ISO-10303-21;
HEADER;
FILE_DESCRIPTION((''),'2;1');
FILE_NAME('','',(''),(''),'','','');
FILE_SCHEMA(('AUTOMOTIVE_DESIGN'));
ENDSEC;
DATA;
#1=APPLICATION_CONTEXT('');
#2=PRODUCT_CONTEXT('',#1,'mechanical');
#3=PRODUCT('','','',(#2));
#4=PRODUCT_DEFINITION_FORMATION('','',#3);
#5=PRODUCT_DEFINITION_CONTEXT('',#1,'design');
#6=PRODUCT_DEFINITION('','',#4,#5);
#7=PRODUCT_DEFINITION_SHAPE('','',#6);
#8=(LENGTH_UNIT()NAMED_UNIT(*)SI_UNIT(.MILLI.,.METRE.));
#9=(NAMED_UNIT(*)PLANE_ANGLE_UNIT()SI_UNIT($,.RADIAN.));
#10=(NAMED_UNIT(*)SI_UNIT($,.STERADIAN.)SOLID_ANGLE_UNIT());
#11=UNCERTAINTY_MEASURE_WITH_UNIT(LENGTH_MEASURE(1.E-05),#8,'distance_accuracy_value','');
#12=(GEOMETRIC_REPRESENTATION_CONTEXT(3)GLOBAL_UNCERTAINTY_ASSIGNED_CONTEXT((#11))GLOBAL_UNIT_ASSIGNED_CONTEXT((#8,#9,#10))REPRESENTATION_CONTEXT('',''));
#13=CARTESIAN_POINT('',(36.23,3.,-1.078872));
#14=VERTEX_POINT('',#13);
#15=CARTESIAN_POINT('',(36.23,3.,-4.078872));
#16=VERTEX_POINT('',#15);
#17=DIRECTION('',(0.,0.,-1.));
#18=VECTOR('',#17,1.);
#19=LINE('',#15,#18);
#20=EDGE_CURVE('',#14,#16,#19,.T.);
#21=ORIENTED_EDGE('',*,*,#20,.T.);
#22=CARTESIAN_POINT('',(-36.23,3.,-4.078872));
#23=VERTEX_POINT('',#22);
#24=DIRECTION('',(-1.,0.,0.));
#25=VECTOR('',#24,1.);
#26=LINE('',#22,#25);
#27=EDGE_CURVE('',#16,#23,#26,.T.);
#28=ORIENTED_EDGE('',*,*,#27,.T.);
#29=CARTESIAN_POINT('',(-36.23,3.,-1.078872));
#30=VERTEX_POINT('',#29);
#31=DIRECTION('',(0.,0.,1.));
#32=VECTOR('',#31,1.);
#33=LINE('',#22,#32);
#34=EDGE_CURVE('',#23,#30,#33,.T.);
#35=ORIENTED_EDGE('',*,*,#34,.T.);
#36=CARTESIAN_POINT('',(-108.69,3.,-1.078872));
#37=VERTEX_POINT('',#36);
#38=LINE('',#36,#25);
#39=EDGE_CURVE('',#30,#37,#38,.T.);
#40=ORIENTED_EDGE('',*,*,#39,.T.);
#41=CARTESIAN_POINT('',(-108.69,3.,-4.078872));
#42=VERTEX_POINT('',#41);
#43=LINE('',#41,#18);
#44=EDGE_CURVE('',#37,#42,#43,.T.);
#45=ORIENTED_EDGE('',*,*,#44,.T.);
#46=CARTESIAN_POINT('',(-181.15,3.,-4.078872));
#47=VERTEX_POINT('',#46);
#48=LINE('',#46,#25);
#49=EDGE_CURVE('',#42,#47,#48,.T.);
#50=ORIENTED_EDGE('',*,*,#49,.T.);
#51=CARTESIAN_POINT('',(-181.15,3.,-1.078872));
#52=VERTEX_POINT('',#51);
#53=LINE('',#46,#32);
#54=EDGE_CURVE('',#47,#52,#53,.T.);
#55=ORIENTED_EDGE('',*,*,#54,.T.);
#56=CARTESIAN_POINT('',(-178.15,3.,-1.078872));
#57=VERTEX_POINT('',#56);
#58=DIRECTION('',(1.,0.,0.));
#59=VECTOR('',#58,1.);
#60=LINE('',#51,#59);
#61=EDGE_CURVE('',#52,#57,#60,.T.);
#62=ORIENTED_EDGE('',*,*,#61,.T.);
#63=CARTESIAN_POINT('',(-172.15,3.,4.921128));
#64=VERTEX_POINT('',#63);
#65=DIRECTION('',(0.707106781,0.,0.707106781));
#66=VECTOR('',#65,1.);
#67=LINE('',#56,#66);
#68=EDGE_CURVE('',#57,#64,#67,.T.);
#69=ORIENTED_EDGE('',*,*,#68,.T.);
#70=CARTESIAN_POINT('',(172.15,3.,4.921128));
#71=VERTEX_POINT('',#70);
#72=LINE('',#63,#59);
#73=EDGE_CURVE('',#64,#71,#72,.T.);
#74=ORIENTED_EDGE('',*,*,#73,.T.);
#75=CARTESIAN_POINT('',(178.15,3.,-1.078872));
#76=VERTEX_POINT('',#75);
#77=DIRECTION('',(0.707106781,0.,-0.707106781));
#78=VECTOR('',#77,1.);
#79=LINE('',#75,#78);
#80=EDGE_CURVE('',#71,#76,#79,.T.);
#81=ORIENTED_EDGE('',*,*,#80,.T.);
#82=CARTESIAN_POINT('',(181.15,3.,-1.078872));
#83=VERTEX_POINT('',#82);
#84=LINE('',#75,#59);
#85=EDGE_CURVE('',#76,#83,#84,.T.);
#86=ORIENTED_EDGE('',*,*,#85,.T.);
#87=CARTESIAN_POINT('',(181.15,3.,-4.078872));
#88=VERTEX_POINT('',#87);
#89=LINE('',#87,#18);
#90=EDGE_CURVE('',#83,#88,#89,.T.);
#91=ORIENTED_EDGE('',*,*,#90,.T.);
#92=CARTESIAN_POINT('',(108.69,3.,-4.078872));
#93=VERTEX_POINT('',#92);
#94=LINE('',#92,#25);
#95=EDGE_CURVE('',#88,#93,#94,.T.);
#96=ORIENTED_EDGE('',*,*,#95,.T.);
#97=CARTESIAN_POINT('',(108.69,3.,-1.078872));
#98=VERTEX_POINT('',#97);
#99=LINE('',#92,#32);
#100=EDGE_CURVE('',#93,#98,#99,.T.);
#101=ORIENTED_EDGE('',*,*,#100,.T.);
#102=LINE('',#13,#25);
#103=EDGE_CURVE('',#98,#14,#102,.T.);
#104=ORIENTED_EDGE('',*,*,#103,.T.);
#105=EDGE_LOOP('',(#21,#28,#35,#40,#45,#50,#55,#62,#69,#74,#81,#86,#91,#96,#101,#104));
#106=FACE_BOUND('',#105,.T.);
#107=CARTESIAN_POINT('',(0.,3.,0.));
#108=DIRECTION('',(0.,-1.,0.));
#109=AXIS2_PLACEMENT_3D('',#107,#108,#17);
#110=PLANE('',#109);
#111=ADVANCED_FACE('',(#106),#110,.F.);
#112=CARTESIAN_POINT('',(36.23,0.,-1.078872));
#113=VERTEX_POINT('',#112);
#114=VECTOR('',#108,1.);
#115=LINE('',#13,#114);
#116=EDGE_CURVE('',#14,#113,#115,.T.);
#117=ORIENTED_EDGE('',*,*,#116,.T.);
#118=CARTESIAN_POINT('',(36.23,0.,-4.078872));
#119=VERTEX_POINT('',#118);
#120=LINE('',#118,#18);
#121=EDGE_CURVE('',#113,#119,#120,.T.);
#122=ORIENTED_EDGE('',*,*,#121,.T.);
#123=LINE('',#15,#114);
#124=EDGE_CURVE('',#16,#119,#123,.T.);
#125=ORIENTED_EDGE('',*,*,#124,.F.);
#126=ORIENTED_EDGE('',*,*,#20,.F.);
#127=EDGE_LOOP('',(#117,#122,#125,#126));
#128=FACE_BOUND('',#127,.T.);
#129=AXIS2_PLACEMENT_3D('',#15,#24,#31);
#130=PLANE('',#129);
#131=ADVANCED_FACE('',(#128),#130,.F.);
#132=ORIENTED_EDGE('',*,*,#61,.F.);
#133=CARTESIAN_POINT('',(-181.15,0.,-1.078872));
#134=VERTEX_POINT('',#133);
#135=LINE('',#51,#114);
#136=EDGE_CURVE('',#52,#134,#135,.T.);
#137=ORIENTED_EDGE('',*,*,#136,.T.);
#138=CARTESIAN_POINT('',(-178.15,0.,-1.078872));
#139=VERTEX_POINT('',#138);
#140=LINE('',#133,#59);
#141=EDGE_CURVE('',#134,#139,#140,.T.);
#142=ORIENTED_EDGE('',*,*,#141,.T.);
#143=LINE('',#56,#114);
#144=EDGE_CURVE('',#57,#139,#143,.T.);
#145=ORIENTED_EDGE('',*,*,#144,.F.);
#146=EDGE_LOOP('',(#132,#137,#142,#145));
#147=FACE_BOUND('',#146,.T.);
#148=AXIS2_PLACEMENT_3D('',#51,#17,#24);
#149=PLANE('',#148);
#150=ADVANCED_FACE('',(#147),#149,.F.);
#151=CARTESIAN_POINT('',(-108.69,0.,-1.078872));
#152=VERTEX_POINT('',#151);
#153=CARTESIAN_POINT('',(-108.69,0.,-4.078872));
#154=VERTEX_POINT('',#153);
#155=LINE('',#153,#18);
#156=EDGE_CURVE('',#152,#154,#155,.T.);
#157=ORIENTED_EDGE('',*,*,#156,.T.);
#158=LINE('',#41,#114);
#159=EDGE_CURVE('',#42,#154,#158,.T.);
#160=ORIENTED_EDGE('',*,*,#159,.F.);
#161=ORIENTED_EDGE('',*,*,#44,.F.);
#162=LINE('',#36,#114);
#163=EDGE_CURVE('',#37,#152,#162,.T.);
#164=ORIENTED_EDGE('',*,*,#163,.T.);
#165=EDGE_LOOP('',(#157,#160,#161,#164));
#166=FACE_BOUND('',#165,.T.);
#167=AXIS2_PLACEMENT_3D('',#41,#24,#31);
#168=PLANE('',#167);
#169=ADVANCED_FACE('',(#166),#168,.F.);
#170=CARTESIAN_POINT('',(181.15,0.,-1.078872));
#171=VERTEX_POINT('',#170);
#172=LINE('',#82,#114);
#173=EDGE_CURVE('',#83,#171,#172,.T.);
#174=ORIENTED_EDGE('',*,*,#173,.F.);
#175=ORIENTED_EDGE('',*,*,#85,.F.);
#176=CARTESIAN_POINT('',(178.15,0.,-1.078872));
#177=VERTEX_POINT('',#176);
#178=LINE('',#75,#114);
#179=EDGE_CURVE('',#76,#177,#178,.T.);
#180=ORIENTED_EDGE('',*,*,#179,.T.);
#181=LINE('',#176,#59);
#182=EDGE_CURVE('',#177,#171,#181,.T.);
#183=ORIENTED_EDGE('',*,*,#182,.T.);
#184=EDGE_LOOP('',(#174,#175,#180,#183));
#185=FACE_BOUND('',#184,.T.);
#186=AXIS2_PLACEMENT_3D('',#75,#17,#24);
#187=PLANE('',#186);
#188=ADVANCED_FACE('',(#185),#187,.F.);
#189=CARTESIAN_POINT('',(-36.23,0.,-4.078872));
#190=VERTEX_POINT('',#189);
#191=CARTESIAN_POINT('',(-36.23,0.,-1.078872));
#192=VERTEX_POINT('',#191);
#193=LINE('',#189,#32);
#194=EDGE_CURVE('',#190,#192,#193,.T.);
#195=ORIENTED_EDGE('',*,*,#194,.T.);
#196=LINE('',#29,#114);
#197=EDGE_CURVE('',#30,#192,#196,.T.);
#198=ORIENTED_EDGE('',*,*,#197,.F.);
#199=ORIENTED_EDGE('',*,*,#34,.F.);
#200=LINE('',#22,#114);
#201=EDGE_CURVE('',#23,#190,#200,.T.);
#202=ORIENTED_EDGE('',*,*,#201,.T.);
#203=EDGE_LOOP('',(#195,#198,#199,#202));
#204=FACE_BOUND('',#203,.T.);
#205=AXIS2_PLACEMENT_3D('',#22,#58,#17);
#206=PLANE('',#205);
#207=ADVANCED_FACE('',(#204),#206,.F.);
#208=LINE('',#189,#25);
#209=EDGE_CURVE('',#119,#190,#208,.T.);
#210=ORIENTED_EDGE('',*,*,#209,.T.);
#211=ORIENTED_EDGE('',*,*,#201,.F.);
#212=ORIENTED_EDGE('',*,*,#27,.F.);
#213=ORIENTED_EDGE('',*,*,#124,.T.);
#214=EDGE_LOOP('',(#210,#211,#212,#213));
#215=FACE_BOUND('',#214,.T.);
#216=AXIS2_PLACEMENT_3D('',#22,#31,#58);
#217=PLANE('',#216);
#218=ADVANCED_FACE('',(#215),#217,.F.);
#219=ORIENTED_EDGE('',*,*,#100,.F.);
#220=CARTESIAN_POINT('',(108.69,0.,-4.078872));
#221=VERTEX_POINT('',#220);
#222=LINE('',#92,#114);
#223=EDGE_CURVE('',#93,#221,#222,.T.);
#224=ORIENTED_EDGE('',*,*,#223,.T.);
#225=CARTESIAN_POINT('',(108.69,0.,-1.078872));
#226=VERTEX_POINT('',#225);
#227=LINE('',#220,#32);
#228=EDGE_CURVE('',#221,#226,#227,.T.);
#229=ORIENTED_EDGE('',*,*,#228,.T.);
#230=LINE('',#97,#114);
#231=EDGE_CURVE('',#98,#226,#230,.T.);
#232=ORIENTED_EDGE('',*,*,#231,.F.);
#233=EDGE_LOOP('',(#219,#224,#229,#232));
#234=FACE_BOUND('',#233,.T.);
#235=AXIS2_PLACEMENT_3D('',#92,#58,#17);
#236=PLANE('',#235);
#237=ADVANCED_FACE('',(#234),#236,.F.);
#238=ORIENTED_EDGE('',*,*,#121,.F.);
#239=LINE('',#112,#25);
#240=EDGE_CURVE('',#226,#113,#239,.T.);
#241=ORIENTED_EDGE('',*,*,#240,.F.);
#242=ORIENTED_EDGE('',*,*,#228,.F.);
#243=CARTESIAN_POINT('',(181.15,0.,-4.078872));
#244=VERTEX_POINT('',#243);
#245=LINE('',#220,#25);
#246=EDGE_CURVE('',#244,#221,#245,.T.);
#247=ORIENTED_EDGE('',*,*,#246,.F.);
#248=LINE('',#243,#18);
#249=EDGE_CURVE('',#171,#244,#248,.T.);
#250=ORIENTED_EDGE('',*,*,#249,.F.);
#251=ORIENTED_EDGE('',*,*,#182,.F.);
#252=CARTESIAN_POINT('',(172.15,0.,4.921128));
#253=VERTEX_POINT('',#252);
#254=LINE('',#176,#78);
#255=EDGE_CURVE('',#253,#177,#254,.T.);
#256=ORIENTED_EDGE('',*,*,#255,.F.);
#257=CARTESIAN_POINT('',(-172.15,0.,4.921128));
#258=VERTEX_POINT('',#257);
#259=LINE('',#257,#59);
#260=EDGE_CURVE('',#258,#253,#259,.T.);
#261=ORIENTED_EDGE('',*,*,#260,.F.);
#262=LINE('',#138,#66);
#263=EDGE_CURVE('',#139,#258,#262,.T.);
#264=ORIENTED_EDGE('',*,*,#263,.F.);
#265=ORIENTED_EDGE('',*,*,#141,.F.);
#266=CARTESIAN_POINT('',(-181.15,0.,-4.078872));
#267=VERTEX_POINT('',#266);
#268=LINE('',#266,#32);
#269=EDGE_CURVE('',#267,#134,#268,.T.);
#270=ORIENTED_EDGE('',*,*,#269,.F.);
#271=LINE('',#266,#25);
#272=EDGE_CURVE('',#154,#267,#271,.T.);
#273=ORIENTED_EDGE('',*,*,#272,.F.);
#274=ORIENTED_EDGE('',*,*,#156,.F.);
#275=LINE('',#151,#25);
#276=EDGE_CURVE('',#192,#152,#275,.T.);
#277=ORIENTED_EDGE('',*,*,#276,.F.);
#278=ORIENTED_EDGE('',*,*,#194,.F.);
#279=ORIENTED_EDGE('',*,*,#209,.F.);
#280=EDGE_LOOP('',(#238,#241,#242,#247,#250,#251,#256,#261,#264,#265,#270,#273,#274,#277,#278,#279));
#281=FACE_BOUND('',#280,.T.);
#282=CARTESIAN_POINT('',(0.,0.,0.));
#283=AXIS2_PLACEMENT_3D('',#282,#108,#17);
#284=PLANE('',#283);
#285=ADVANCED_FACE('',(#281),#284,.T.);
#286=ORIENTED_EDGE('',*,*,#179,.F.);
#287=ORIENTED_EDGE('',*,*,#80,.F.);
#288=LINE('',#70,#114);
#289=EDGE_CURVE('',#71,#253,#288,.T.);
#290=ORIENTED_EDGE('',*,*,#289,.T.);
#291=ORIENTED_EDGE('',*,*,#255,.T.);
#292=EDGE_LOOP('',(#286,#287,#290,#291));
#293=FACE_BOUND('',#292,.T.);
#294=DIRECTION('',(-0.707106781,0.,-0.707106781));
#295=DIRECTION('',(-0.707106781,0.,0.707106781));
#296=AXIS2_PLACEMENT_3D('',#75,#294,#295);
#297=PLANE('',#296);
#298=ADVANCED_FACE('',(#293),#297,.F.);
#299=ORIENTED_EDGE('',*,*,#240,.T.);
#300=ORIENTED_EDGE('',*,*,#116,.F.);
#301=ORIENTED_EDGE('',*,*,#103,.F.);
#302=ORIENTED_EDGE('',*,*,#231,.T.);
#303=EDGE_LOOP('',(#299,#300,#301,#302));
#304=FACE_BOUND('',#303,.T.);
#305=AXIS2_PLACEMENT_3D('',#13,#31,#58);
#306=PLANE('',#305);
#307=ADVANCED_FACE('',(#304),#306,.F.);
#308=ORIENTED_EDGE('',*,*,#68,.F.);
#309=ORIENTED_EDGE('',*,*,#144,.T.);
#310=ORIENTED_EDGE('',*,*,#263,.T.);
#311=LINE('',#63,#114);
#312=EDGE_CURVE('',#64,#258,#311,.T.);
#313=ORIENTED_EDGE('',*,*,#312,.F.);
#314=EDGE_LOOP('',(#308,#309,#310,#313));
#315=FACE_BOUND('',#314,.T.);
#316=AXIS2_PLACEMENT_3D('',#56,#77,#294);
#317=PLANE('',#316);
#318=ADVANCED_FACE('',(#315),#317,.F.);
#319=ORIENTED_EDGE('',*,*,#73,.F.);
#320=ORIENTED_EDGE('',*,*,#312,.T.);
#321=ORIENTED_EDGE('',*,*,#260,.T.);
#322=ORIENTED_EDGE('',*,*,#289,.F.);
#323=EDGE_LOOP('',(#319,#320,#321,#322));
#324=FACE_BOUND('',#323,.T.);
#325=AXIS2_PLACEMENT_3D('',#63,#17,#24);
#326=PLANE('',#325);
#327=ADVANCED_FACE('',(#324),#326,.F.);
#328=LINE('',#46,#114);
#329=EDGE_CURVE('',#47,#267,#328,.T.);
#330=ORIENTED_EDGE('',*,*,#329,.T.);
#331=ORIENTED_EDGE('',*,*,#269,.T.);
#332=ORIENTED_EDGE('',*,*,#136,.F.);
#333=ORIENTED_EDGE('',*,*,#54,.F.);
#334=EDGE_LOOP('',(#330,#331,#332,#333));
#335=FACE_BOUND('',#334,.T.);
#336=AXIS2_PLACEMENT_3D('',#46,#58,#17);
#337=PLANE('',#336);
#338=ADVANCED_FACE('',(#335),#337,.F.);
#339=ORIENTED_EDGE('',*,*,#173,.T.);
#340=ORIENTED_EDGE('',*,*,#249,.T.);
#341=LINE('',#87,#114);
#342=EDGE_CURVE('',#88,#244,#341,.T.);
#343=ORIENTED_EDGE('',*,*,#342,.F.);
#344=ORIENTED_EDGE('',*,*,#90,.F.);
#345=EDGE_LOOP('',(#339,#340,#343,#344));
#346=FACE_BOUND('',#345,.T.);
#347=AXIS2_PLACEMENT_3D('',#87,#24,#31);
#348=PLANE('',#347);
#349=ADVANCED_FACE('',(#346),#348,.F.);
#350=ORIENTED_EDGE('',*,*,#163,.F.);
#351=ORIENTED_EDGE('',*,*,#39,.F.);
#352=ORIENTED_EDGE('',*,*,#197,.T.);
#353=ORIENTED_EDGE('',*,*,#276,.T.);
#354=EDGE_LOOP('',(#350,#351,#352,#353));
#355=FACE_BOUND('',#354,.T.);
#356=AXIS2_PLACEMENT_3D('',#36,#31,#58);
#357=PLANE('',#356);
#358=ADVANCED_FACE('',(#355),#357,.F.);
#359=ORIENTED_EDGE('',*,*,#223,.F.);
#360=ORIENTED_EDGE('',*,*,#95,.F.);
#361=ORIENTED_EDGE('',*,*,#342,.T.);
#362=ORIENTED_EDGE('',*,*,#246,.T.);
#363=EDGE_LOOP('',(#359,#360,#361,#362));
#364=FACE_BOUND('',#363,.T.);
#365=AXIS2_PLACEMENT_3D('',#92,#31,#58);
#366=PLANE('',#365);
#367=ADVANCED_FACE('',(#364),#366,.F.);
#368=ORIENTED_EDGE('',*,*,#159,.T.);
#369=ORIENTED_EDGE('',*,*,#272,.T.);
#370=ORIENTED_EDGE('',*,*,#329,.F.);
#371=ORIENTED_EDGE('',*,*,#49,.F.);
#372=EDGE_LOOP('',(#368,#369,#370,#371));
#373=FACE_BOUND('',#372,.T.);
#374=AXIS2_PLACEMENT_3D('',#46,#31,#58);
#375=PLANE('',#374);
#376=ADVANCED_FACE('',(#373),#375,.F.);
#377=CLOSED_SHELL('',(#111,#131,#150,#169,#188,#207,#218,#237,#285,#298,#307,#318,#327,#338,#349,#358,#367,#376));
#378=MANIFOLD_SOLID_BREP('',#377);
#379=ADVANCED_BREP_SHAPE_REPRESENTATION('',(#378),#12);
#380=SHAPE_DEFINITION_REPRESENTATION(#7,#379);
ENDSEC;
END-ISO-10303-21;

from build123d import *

# Parameters (mm, degrees)
BOSS_EXTRUDE1_DEPTH = 3


with BuildPart() as part:
    # Sketch1 → Boss-Extrude1 (new body)
    with BuildSketch(Plane(origin=(0, 0, 0), x_dir=(1, 0, 0), z_dir=(0, 1, 0))):
        Polygon((-181.15, 4.078871625), (-108.69, 4.078871625), (-108.69, 1.078871625), (-36.23, 1.078871625), (-36.23, 4.078871625), (36.23, 4.078871625), (36.23, 1.078871625), (108.69, 1.078871625), (108.69, 4.078871625), (181.15, 4.078871625), (181.15, 1.078871625), (178.15, 1.078871625), (172.15, -4.921128375), (-172.15, -4.921128375), (-178.15, 1.078871625), (-181.15, 1.078871625), align=None)
    extrude(amount=BOSS_EXTRUDE1_DEPTH)


solid = part.part
